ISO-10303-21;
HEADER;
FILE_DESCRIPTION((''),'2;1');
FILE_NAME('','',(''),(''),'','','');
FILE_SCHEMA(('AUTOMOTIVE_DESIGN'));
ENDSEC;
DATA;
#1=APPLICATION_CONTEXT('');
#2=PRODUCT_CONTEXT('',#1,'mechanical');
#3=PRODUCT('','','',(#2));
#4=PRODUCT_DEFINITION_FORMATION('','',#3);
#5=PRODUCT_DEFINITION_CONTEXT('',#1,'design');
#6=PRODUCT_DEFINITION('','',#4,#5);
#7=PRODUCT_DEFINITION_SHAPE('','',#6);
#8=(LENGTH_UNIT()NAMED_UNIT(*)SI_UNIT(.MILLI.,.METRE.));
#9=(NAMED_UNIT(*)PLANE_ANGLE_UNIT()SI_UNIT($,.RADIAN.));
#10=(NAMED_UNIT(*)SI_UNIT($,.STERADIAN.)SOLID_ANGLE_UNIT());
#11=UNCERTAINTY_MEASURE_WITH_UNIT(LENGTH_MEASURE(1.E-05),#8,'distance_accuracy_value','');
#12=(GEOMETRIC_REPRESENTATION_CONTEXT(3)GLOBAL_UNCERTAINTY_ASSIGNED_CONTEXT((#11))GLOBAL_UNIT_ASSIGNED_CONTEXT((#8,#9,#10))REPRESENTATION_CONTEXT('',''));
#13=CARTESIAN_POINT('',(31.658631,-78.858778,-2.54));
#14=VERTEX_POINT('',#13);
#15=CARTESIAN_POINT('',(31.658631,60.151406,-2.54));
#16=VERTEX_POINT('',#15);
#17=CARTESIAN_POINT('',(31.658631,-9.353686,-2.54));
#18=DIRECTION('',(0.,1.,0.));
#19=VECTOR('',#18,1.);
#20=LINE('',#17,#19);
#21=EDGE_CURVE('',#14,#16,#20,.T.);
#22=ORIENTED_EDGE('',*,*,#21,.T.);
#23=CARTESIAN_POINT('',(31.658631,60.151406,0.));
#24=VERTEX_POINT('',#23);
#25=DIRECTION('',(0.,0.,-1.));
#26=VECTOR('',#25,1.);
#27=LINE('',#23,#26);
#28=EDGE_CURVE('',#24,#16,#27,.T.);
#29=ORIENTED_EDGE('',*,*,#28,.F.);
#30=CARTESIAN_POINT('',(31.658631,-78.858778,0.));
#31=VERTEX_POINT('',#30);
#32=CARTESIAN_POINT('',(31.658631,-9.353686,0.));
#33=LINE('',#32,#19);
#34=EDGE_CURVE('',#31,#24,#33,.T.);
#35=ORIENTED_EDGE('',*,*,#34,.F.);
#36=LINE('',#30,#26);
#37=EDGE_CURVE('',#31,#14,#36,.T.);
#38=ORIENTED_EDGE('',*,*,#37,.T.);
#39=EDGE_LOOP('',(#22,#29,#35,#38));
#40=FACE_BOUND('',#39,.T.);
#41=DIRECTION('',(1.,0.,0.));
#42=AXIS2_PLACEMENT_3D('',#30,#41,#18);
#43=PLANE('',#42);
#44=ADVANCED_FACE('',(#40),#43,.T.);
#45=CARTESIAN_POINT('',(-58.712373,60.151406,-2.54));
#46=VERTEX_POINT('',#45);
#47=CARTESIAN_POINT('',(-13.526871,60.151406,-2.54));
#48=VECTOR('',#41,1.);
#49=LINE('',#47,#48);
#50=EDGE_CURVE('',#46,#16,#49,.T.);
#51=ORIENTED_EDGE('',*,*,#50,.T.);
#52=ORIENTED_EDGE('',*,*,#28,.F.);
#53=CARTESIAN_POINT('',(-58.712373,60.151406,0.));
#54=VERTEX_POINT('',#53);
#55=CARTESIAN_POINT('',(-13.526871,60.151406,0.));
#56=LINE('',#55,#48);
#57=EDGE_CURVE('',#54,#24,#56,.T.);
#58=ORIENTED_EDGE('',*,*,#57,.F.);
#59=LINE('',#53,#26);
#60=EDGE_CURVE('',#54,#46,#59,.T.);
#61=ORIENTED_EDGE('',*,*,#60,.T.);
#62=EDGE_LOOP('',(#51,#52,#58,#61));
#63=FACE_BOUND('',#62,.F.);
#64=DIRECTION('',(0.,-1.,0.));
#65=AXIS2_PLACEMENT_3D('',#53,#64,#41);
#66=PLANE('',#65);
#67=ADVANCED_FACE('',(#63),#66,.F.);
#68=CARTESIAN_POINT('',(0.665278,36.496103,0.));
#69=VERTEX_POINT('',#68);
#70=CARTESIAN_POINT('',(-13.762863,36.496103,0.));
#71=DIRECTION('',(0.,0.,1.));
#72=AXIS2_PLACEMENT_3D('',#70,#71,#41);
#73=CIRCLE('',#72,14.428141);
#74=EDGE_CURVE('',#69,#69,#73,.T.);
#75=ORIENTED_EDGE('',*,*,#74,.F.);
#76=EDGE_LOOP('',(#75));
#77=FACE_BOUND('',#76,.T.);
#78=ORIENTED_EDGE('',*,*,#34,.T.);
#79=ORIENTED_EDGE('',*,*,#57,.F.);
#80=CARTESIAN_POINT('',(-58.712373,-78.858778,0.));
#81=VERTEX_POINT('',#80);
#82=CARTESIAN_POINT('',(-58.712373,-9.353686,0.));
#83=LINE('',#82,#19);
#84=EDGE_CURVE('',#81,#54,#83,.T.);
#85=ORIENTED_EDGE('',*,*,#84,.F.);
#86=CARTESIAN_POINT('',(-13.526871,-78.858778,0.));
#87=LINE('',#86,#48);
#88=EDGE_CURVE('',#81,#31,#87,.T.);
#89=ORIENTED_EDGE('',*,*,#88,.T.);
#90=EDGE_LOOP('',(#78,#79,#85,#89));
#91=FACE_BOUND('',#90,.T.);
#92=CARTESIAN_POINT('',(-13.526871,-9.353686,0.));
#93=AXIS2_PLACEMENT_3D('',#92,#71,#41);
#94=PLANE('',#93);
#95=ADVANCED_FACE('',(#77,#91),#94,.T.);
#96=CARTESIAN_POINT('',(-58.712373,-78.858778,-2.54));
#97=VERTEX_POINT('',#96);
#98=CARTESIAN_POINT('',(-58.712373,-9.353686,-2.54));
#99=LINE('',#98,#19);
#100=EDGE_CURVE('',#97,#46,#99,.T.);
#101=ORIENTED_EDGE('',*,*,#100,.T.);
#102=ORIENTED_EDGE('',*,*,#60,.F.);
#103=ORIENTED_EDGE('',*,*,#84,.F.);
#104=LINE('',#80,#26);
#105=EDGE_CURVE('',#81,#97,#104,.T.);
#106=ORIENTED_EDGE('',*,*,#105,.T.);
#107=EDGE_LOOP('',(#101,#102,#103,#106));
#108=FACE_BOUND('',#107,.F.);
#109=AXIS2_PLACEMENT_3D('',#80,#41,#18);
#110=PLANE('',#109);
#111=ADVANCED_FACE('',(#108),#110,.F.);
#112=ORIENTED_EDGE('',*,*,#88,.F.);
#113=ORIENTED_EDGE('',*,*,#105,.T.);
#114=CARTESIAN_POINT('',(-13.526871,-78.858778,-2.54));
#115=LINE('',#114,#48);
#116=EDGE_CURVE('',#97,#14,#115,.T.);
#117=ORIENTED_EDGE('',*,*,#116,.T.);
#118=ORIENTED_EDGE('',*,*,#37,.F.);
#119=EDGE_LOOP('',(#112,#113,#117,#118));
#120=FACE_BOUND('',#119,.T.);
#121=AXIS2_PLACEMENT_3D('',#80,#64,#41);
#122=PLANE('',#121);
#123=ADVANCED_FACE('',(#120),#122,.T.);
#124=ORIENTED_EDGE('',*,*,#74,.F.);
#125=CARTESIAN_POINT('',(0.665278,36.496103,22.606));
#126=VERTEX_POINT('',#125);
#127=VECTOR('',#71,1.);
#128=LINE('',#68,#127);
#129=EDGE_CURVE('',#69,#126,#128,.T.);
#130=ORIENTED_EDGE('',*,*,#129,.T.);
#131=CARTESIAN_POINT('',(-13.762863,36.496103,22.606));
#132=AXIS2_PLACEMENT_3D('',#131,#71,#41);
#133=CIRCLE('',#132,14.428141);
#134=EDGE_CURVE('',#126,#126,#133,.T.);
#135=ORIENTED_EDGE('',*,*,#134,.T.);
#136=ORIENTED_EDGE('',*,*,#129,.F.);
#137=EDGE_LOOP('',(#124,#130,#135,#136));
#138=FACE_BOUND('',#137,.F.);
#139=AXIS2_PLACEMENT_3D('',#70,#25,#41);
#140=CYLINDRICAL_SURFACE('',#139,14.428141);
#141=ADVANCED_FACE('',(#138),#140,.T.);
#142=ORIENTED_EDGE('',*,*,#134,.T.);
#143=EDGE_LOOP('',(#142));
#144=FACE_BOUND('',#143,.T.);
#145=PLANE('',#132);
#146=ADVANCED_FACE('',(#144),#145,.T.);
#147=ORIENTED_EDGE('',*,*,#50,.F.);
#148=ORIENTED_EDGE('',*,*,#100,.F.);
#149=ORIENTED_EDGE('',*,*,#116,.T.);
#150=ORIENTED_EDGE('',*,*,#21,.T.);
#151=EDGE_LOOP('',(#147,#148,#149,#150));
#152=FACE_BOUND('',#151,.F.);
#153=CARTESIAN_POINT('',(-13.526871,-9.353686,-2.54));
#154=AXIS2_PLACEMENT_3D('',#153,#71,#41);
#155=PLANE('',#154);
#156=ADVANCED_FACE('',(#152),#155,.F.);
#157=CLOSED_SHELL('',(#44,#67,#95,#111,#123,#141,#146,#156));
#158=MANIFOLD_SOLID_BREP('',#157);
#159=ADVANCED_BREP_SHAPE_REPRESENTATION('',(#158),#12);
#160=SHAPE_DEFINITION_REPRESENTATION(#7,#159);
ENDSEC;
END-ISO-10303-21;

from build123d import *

# Parameters (mm, degrees)
F0_W     = 90.371005
F0_H     = 139.010184
F1_DEPTH = 2.54
F2_T     = -2.54
F3_R     = 14.428141
F4_DEPTH = 22.606


with BuildPart() as f1:
    # F0 (on Top) → F1 (new body)
    with BuildSketch(Plane.XY):
        with Locations((-13.526871, -9.353686)):
            Rectangle(F0_W, F0_H)
    extrude(amount=-F1_DEPTH)

    # F2
    f2_openings = [f1.faces().sort_by_distance(p)[0] for p in [
        (-13.526872, -9.353686, 0),
    ]]
    offset(amount=F2_T, openings=f2_openings)

    # F3 (on face) → F4 (join)
    with BuildSketch(Plane.XY):
        with Locations((-13.762863, 36.496103)):
            Circle(F3_R)
    extrude(amount=F4_DEPTH)


solid = f1.part
